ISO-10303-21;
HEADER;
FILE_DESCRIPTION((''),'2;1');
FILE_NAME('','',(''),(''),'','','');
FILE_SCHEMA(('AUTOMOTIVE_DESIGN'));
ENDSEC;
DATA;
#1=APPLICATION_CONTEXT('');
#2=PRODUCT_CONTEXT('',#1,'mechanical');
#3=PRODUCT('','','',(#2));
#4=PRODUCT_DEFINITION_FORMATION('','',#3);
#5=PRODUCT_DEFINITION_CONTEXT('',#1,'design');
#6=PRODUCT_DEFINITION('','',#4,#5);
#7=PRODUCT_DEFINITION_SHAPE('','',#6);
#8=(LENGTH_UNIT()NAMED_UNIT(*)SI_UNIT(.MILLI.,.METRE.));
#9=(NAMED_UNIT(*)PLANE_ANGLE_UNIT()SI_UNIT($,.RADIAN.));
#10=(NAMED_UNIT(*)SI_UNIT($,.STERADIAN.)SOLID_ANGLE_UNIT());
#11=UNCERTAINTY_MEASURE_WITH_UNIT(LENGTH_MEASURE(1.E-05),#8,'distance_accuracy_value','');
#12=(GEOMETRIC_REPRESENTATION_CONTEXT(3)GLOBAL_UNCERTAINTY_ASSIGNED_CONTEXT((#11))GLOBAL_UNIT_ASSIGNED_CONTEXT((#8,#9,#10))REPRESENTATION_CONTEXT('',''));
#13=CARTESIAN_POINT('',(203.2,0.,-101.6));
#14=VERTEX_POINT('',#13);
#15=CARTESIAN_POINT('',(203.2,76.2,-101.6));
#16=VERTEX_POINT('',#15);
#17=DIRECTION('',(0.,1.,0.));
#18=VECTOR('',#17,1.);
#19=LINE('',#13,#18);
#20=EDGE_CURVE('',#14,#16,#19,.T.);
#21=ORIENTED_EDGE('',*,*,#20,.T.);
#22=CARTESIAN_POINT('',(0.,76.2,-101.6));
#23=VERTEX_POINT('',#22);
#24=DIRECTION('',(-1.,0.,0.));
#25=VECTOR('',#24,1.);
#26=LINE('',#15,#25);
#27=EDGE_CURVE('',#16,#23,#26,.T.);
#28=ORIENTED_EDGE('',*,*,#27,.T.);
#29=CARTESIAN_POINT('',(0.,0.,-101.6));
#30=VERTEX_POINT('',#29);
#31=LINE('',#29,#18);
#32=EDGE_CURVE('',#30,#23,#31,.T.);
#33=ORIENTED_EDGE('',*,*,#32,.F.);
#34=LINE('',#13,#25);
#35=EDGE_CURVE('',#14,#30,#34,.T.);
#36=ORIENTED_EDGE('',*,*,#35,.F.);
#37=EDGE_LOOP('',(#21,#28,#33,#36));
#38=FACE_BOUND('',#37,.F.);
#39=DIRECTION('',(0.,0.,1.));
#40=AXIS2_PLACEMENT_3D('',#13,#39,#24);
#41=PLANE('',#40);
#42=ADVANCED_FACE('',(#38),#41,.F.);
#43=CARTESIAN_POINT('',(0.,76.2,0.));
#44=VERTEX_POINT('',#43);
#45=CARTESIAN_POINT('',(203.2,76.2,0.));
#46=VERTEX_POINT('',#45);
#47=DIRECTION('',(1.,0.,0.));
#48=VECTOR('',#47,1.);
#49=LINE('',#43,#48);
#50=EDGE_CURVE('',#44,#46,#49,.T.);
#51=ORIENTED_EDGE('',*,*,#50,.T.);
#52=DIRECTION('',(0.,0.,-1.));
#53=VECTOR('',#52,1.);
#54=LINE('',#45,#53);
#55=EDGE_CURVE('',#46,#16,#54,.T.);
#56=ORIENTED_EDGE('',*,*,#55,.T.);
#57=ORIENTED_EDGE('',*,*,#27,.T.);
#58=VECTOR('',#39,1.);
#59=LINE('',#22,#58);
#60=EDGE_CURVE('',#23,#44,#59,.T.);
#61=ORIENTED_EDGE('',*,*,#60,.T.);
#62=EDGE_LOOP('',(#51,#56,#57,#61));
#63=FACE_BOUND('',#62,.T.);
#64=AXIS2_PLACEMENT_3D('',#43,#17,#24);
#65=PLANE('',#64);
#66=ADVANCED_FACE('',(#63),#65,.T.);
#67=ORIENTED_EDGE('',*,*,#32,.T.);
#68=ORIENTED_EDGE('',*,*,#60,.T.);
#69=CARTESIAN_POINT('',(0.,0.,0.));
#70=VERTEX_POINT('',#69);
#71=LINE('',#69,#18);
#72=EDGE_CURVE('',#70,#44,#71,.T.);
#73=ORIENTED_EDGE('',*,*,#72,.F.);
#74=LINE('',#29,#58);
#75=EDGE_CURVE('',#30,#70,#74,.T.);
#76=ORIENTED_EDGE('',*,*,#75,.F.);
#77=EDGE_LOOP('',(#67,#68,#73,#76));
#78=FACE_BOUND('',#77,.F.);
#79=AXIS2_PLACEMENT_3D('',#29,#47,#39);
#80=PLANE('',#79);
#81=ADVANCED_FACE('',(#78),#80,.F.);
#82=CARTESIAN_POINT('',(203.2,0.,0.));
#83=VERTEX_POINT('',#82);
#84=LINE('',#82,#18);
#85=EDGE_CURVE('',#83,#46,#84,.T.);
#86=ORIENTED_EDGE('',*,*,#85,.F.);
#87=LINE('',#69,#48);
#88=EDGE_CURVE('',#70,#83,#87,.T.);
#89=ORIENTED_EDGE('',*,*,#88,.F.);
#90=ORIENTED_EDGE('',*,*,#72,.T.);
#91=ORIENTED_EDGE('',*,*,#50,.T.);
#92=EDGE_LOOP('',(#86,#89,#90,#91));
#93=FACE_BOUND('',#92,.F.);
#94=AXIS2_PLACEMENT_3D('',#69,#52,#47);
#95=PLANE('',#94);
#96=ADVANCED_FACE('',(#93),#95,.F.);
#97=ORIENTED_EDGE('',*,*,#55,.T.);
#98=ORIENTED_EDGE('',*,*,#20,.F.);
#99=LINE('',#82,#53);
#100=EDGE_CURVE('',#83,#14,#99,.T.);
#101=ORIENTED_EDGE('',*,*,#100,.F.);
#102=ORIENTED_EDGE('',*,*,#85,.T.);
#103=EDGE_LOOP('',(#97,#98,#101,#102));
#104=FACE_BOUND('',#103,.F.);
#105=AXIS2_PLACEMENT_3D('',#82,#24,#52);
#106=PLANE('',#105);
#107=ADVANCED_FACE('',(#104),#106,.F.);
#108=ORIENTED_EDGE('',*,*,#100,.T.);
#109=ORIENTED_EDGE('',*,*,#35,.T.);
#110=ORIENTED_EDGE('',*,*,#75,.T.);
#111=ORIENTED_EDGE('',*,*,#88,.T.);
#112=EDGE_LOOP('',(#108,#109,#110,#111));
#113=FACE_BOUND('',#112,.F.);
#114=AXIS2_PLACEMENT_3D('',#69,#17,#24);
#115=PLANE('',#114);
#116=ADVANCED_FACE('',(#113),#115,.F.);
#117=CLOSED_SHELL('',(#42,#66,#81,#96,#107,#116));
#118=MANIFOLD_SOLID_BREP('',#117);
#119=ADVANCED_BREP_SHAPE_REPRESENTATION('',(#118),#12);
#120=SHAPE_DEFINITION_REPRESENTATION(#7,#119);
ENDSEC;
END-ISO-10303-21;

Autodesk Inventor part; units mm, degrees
ref_plane "YZ Plane" through (0, 0, 0) normal (1, 0, 0) x (0, 1, 0)
ref_plane "XZ Plane" through (0, 0, 0) normal (0, 1, 0) x (-1, 0, 0)
ref_plane "XY Plane" through (0, 0, 0) normal (0, 0, 1) x (1, 0, 0)
sketch "Sketch2" plane through (0, 0, 0) normal (0, 1, 0) x (-1, 0, 0)
  line L0 (0, 0) -> (-203.2, 0)
  line L1 (-203.2, 0) -> (-203.2, -101.6)
  line L2 (-203.2, -101.6) -> (0, -101.6)
  line L3 (0, -101.6) -> (0, 0)
  dimension "d3" = 203.2
  dimension "d4" = 101.6
extrude "Extrusion1" add sketch "Sketch2" along normal blind 76.2
properties part number "4x8-317"
